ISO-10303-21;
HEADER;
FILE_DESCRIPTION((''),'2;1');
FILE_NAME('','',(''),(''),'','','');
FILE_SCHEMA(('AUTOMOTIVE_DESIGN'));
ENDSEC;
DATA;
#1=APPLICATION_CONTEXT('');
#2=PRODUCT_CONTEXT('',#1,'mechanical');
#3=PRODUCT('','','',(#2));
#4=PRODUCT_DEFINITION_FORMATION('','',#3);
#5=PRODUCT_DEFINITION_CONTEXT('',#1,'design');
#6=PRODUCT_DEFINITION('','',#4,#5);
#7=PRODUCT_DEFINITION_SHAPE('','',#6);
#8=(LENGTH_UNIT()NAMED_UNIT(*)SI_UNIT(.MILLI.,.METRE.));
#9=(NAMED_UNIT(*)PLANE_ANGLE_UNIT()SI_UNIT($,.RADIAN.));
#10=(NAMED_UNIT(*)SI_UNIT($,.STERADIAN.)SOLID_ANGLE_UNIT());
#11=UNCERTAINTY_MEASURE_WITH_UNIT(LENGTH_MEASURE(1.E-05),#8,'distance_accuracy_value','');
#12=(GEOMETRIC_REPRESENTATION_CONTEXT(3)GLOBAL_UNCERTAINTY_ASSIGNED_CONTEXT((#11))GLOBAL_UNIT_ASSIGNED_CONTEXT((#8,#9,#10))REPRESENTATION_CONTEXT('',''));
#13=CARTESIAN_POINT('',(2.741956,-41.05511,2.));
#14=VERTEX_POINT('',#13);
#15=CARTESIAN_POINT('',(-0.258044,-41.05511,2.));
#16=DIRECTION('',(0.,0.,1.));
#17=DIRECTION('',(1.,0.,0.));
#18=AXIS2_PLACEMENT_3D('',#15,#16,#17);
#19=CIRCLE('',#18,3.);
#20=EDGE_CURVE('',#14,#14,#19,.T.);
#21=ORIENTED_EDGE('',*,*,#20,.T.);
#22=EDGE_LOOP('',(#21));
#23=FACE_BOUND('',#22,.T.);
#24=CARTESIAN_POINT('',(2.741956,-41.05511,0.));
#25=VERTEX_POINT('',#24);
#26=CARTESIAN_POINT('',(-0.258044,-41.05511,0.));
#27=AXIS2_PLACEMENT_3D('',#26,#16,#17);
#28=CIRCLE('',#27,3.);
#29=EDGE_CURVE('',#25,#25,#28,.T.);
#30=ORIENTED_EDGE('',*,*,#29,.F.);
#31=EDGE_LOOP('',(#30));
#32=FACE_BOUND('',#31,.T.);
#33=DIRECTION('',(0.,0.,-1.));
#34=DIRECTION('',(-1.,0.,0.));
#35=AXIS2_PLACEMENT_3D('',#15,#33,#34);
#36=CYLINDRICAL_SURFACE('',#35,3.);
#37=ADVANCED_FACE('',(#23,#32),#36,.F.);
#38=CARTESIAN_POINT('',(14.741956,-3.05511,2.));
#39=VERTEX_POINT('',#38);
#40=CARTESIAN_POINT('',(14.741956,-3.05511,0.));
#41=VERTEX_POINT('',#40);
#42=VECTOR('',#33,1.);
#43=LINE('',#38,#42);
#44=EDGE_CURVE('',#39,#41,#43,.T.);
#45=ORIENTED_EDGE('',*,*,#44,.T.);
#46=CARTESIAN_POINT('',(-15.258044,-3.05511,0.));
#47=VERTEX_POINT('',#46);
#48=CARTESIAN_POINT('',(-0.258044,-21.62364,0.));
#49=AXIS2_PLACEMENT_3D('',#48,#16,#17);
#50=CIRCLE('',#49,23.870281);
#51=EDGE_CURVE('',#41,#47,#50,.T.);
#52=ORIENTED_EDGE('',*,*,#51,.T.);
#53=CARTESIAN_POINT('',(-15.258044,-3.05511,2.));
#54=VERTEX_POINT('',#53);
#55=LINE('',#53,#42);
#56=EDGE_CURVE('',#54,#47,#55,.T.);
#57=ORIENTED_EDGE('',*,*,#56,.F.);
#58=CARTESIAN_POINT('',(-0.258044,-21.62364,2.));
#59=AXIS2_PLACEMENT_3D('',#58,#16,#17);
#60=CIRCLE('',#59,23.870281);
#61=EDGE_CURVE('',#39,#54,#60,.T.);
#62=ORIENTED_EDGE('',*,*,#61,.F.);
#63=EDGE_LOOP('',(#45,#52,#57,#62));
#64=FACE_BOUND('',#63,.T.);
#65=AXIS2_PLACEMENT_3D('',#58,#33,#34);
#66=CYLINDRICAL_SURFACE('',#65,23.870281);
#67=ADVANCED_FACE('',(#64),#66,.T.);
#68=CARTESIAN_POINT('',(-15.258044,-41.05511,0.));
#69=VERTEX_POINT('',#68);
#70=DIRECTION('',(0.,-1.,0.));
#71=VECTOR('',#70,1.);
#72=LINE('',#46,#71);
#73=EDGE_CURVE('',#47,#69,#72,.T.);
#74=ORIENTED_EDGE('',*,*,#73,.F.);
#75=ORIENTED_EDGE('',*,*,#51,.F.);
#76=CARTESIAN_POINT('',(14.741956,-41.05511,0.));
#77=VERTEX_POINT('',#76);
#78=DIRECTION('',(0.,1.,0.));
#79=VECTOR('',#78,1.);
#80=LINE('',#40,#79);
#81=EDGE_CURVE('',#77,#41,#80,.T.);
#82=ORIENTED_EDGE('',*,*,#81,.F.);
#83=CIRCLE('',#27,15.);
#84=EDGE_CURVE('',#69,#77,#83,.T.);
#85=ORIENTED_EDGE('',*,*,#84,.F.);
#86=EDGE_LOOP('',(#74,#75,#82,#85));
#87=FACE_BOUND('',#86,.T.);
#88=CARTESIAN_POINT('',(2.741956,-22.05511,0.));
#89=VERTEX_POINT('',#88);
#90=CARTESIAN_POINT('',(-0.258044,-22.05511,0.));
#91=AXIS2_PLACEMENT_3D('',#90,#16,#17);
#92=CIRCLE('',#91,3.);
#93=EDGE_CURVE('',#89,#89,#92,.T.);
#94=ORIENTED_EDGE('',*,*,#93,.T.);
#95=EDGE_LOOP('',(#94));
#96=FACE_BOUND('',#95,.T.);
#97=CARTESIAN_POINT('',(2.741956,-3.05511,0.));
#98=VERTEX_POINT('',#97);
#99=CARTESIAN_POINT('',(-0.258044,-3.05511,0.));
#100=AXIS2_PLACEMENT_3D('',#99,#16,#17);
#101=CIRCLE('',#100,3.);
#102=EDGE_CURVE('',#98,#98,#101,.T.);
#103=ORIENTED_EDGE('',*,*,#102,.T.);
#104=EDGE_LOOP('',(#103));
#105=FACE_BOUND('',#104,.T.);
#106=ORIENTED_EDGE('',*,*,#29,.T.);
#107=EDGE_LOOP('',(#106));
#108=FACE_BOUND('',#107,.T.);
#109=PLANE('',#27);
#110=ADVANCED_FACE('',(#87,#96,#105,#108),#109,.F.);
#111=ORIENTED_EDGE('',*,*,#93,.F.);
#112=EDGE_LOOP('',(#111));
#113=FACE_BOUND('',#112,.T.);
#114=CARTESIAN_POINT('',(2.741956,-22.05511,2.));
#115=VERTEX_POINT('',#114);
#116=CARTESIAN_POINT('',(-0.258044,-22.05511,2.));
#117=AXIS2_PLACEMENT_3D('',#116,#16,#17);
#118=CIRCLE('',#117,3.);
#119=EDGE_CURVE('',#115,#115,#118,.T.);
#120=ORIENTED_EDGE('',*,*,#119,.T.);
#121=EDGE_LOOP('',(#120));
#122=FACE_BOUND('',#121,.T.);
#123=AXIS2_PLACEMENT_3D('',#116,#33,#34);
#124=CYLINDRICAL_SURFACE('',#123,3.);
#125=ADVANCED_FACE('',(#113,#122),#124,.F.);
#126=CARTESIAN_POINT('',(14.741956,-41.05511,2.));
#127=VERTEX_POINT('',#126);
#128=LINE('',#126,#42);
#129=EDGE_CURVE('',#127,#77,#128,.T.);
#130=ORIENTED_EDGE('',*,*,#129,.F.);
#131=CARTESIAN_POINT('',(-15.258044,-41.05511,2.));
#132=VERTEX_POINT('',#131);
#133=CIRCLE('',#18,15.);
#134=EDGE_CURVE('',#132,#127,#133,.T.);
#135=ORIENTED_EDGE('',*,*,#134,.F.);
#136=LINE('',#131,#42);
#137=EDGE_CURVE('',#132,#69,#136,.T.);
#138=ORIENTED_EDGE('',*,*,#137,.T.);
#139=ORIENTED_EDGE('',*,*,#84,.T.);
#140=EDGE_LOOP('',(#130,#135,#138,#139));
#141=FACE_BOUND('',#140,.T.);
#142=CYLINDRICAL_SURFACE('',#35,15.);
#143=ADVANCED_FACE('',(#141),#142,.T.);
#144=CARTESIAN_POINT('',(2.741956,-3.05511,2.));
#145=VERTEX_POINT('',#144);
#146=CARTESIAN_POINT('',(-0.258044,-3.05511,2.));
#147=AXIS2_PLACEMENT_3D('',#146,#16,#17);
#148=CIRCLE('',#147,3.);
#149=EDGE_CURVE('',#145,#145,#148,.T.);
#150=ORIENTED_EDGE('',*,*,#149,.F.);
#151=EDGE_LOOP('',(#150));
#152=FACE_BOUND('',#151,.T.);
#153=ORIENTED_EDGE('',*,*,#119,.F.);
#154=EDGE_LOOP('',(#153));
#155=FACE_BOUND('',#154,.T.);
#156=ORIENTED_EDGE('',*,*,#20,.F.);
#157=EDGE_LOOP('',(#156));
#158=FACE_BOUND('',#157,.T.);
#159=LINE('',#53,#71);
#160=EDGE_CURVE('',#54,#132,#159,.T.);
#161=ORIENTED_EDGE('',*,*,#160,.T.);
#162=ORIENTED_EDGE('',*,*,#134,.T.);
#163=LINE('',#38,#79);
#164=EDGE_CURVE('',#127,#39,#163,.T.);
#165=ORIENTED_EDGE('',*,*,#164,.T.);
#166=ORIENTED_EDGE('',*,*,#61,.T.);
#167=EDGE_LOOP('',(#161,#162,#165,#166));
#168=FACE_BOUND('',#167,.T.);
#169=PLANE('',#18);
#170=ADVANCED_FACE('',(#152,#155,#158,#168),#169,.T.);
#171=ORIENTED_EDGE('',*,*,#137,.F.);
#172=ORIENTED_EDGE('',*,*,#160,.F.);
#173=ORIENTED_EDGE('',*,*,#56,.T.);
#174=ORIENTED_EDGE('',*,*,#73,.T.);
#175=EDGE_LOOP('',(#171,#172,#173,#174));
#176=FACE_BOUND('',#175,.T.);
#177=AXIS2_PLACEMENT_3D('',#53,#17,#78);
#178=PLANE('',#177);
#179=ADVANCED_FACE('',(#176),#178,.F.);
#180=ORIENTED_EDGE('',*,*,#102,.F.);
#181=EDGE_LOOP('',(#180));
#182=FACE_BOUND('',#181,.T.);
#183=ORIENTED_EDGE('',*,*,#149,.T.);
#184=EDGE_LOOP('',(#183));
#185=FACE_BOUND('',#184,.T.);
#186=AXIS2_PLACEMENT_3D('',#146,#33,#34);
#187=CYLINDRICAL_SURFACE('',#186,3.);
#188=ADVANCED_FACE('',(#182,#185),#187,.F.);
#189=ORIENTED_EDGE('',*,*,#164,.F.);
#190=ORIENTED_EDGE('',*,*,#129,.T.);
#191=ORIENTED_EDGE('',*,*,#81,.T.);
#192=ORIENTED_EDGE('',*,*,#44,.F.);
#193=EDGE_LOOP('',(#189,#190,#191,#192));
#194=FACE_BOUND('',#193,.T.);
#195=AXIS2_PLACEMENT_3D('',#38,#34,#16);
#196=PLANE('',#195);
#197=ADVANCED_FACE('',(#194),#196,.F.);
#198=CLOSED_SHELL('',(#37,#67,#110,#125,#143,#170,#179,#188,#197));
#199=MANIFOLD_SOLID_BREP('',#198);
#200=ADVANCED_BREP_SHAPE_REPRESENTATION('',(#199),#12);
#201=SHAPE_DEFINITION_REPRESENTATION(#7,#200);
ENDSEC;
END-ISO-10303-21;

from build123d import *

# Parameters (mm, degrees)
SKETCH_1_R      = 3
EXTRUDE_1_DEPTH = 2


with BuildPart() as part:
    # 草图1 → 凸台-拉伸1 (new body)
    with BuildSketch(Plane.XY):
        with BuildLine():
            Line((14.741955886, -3.055110285), (14.741955886, -41.055110285))
            ThreePointArc((14.741955886, -41.055110285), (-0.258044114, -56.055110285), (-15.258044114, -41.055110285))
            Line((-15.258044114, -41.055110285), (-15.258044114, -3.055110285))
            ThreePointArc((-15.258044114, -3.055110285), (-0.258044114, 2.246640552), (14.741955886, -3.055110285))
        make_face()
        with Locations((-0.258044114, -3.055110285)):
            Circle(SKETCH_1_R, mode=Mode.SUBTRACT)
        with Locations((-0.258044114, -22.055110285)):
            Circle(SKETCH_1_R, mode=Mode.SUBTRACT)
        with Locations((-0.258044114, -41.055110285)):
            Circle(SKETCH_1_R, mode=Mode.SUBTRACT)
    extrude(amount=EXTRUDE_1_DEPTH)


solid = part.part
